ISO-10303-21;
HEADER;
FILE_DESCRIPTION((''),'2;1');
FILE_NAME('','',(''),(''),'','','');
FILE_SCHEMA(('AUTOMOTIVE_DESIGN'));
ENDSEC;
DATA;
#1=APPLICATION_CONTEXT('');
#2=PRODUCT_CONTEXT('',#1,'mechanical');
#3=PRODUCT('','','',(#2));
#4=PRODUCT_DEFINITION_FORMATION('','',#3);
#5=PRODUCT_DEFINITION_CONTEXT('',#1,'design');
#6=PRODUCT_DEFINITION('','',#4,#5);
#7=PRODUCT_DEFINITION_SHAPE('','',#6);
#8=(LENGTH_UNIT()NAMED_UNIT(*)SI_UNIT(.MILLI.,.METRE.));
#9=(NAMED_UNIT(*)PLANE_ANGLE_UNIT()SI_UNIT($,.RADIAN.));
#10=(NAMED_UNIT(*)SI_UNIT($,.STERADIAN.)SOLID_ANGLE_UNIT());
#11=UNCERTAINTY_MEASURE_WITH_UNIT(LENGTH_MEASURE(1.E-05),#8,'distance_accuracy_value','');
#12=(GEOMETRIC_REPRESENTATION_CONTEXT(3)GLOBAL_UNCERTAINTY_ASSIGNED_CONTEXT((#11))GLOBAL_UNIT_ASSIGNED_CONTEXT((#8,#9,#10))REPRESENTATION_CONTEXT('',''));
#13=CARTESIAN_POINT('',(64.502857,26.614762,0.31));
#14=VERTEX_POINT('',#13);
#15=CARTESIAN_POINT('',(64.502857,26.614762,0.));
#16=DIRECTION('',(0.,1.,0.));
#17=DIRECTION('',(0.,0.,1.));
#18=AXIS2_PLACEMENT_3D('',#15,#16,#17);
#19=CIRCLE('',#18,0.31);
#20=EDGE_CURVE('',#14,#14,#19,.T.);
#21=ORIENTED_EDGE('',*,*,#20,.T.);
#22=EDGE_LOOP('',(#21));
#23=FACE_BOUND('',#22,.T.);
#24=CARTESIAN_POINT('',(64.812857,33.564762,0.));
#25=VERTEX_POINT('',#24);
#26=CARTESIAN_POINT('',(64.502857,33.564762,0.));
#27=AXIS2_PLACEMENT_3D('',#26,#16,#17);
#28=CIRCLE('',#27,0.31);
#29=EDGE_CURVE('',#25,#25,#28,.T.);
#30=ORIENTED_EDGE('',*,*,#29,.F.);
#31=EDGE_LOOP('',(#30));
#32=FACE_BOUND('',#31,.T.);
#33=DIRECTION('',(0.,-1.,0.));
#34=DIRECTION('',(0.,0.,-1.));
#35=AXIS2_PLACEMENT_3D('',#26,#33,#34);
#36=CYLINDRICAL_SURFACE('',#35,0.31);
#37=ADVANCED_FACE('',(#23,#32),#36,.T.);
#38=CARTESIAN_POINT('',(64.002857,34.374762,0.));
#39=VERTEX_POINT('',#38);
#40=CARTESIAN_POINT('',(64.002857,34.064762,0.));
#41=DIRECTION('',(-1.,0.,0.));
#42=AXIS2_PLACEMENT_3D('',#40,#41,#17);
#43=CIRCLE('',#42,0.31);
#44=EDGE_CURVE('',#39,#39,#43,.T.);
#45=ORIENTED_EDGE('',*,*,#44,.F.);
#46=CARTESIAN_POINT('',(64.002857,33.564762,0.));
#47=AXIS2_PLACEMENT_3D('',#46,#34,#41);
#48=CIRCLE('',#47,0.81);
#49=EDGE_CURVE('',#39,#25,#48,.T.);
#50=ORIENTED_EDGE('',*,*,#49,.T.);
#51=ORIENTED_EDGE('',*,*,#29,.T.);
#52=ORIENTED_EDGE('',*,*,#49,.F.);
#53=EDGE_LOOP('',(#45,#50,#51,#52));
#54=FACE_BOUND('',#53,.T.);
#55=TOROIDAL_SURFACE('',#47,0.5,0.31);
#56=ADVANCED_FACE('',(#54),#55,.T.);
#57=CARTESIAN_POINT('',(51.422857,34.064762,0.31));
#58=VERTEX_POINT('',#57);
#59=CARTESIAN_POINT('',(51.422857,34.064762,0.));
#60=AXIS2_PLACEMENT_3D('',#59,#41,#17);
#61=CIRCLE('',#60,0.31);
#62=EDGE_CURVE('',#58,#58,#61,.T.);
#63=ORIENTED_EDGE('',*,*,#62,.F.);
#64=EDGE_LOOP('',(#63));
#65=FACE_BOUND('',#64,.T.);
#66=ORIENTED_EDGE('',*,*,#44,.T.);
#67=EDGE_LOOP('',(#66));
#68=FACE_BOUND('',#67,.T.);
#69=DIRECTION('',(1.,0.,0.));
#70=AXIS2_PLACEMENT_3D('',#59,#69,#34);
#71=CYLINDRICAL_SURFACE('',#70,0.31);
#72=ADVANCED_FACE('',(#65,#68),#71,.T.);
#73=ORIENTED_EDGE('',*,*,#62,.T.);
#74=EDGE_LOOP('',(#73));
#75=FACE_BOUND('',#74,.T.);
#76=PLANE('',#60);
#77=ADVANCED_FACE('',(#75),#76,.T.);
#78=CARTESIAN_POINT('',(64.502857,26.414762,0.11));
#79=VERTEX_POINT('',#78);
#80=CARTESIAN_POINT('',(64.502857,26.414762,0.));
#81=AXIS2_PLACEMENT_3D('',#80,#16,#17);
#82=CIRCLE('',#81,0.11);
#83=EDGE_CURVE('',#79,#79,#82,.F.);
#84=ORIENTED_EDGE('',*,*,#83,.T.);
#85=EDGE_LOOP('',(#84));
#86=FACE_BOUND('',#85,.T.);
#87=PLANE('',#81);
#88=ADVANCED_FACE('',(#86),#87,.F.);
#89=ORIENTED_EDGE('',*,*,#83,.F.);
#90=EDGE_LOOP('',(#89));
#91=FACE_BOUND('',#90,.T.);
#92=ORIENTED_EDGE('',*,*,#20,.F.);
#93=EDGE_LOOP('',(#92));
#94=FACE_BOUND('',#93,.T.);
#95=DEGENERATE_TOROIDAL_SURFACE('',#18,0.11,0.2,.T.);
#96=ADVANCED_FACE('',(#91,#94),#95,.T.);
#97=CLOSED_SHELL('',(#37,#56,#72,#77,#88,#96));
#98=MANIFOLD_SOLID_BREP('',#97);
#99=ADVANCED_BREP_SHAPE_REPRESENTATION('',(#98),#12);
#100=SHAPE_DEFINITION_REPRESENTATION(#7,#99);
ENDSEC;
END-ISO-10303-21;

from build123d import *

# Parameters (mm, degrees)
SWEEP_1_PROFILE_R = 0.31
FILLET_1_R        = 0.2


with BuildPart() as part:
    # 扫描1: sweep along a path in 草图1
    with BuildLine(Plane.XY) as sweep_1_path:
        Line((51.422857143, 34.064761905), (64.002857143, 34.064761905))
        ThreePointArc((64.002857143, 34.064761905), (64.356410533, 33.918315295), (64.502857143, 33.564761905))
        Line((64.502857143, 33.564761905), (64.502857143, 26.414761905))
    # 扫描1 profile (on start of the path) → 扫描1 (sweep)
    with BuildSketch(Plane(origin=(51.422857143, 34.064761905, 0), x_dir=(0, 0, 1), z_dir=(1, 0, 0))):
        Circle(SWEEP_1_PROFILE_R)
    sweep(path=sweep_1_path.line)

    # 圆角1
    fillet_1_edges = [part.edges().sort_by_distance(p)[0] for p in [
        (64.502857143, 26.414761905, -0.31),
    ]]
    fillet(fillet_1_edges, radius=FILLET_1_R)


solid = part.part
